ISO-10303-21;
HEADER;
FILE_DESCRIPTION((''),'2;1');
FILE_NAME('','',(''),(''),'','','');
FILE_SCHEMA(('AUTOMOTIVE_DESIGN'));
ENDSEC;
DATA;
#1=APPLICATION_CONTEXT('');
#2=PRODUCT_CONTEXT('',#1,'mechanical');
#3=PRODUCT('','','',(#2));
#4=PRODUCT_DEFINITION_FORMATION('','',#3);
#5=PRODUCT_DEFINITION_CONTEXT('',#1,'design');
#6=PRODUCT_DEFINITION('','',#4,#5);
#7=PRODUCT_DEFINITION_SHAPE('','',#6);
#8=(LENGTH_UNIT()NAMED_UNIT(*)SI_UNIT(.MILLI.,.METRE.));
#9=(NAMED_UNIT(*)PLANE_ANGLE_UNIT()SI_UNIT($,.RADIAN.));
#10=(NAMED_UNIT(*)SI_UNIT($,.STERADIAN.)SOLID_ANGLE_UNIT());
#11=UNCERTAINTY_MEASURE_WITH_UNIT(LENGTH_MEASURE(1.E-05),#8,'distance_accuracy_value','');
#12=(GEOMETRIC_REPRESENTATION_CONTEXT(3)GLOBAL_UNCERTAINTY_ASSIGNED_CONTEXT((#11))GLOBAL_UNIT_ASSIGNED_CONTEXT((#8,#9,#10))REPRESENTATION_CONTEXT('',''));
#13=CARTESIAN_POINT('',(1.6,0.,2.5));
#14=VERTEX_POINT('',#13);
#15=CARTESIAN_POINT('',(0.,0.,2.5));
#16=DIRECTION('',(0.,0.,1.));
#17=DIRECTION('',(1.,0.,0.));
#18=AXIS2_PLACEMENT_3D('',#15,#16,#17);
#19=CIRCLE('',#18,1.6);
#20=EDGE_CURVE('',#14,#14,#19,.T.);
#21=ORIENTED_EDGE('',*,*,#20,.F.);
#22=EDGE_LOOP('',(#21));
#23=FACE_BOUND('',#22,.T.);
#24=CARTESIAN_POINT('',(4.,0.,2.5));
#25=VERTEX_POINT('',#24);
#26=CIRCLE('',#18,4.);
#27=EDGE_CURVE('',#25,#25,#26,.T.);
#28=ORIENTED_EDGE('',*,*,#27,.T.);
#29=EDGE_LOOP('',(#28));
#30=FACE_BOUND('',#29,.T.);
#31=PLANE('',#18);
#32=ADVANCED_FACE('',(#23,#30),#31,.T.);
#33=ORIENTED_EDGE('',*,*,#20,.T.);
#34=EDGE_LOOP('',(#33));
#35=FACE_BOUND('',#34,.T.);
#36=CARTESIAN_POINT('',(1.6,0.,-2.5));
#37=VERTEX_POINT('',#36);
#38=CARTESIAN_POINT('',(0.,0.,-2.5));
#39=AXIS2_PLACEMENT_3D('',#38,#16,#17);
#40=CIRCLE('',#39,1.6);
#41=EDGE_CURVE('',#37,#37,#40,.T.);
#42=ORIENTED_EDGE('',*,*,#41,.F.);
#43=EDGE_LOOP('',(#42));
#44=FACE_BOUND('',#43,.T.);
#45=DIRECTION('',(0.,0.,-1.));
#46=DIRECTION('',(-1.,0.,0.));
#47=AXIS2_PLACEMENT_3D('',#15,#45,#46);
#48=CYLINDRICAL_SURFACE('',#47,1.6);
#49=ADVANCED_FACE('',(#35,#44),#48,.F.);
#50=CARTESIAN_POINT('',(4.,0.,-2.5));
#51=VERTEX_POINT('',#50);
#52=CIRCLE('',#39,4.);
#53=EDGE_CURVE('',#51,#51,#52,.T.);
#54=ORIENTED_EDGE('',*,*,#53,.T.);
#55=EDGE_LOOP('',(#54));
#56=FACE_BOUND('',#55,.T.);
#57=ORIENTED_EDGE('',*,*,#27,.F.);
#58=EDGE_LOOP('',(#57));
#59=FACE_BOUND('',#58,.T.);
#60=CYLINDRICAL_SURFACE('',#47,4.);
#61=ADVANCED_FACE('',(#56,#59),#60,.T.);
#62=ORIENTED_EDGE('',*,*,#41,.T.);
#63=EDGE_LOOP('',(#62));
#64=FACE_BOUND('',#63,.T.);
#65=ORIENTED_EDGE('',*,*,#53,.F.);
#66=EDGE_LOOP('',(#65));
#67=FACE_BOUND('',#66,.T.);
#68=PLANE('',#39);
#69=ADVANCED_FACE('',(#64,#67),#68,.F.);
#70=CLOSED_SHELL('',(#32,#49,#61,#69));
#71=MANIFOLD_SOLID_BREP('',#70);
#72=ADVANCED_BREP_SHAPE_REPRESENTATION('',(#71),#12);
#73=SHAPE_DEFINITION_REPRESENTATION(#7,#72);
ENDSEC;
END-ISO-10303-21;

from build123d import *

# Parameters (mm, degrees)
EXTRUDE1_DEPTH      = 2.5
EXTRUDE1_DEPTH_BACK = 2.5
SKETCH1_R           = 4
SKETCH1_R_2         = 1.6


with BuildPart() as part:
    # Sketch1 → Extrude1 (new, two sides: drawn at the far end of the back side and taken through both)
    with BuildSketch(Plane.XY.offset(-EXTRUDE1_DEPTH_BACK)):
        Circle(SKETCH1_R)
        Circle(SKETCH1_R_2, mode=Mode.SUBTRACT)
    extrude(amount=EXTRUDE1_DEPTH + EXTRUDE1_DEPTH_BACK)


solid = part.part
